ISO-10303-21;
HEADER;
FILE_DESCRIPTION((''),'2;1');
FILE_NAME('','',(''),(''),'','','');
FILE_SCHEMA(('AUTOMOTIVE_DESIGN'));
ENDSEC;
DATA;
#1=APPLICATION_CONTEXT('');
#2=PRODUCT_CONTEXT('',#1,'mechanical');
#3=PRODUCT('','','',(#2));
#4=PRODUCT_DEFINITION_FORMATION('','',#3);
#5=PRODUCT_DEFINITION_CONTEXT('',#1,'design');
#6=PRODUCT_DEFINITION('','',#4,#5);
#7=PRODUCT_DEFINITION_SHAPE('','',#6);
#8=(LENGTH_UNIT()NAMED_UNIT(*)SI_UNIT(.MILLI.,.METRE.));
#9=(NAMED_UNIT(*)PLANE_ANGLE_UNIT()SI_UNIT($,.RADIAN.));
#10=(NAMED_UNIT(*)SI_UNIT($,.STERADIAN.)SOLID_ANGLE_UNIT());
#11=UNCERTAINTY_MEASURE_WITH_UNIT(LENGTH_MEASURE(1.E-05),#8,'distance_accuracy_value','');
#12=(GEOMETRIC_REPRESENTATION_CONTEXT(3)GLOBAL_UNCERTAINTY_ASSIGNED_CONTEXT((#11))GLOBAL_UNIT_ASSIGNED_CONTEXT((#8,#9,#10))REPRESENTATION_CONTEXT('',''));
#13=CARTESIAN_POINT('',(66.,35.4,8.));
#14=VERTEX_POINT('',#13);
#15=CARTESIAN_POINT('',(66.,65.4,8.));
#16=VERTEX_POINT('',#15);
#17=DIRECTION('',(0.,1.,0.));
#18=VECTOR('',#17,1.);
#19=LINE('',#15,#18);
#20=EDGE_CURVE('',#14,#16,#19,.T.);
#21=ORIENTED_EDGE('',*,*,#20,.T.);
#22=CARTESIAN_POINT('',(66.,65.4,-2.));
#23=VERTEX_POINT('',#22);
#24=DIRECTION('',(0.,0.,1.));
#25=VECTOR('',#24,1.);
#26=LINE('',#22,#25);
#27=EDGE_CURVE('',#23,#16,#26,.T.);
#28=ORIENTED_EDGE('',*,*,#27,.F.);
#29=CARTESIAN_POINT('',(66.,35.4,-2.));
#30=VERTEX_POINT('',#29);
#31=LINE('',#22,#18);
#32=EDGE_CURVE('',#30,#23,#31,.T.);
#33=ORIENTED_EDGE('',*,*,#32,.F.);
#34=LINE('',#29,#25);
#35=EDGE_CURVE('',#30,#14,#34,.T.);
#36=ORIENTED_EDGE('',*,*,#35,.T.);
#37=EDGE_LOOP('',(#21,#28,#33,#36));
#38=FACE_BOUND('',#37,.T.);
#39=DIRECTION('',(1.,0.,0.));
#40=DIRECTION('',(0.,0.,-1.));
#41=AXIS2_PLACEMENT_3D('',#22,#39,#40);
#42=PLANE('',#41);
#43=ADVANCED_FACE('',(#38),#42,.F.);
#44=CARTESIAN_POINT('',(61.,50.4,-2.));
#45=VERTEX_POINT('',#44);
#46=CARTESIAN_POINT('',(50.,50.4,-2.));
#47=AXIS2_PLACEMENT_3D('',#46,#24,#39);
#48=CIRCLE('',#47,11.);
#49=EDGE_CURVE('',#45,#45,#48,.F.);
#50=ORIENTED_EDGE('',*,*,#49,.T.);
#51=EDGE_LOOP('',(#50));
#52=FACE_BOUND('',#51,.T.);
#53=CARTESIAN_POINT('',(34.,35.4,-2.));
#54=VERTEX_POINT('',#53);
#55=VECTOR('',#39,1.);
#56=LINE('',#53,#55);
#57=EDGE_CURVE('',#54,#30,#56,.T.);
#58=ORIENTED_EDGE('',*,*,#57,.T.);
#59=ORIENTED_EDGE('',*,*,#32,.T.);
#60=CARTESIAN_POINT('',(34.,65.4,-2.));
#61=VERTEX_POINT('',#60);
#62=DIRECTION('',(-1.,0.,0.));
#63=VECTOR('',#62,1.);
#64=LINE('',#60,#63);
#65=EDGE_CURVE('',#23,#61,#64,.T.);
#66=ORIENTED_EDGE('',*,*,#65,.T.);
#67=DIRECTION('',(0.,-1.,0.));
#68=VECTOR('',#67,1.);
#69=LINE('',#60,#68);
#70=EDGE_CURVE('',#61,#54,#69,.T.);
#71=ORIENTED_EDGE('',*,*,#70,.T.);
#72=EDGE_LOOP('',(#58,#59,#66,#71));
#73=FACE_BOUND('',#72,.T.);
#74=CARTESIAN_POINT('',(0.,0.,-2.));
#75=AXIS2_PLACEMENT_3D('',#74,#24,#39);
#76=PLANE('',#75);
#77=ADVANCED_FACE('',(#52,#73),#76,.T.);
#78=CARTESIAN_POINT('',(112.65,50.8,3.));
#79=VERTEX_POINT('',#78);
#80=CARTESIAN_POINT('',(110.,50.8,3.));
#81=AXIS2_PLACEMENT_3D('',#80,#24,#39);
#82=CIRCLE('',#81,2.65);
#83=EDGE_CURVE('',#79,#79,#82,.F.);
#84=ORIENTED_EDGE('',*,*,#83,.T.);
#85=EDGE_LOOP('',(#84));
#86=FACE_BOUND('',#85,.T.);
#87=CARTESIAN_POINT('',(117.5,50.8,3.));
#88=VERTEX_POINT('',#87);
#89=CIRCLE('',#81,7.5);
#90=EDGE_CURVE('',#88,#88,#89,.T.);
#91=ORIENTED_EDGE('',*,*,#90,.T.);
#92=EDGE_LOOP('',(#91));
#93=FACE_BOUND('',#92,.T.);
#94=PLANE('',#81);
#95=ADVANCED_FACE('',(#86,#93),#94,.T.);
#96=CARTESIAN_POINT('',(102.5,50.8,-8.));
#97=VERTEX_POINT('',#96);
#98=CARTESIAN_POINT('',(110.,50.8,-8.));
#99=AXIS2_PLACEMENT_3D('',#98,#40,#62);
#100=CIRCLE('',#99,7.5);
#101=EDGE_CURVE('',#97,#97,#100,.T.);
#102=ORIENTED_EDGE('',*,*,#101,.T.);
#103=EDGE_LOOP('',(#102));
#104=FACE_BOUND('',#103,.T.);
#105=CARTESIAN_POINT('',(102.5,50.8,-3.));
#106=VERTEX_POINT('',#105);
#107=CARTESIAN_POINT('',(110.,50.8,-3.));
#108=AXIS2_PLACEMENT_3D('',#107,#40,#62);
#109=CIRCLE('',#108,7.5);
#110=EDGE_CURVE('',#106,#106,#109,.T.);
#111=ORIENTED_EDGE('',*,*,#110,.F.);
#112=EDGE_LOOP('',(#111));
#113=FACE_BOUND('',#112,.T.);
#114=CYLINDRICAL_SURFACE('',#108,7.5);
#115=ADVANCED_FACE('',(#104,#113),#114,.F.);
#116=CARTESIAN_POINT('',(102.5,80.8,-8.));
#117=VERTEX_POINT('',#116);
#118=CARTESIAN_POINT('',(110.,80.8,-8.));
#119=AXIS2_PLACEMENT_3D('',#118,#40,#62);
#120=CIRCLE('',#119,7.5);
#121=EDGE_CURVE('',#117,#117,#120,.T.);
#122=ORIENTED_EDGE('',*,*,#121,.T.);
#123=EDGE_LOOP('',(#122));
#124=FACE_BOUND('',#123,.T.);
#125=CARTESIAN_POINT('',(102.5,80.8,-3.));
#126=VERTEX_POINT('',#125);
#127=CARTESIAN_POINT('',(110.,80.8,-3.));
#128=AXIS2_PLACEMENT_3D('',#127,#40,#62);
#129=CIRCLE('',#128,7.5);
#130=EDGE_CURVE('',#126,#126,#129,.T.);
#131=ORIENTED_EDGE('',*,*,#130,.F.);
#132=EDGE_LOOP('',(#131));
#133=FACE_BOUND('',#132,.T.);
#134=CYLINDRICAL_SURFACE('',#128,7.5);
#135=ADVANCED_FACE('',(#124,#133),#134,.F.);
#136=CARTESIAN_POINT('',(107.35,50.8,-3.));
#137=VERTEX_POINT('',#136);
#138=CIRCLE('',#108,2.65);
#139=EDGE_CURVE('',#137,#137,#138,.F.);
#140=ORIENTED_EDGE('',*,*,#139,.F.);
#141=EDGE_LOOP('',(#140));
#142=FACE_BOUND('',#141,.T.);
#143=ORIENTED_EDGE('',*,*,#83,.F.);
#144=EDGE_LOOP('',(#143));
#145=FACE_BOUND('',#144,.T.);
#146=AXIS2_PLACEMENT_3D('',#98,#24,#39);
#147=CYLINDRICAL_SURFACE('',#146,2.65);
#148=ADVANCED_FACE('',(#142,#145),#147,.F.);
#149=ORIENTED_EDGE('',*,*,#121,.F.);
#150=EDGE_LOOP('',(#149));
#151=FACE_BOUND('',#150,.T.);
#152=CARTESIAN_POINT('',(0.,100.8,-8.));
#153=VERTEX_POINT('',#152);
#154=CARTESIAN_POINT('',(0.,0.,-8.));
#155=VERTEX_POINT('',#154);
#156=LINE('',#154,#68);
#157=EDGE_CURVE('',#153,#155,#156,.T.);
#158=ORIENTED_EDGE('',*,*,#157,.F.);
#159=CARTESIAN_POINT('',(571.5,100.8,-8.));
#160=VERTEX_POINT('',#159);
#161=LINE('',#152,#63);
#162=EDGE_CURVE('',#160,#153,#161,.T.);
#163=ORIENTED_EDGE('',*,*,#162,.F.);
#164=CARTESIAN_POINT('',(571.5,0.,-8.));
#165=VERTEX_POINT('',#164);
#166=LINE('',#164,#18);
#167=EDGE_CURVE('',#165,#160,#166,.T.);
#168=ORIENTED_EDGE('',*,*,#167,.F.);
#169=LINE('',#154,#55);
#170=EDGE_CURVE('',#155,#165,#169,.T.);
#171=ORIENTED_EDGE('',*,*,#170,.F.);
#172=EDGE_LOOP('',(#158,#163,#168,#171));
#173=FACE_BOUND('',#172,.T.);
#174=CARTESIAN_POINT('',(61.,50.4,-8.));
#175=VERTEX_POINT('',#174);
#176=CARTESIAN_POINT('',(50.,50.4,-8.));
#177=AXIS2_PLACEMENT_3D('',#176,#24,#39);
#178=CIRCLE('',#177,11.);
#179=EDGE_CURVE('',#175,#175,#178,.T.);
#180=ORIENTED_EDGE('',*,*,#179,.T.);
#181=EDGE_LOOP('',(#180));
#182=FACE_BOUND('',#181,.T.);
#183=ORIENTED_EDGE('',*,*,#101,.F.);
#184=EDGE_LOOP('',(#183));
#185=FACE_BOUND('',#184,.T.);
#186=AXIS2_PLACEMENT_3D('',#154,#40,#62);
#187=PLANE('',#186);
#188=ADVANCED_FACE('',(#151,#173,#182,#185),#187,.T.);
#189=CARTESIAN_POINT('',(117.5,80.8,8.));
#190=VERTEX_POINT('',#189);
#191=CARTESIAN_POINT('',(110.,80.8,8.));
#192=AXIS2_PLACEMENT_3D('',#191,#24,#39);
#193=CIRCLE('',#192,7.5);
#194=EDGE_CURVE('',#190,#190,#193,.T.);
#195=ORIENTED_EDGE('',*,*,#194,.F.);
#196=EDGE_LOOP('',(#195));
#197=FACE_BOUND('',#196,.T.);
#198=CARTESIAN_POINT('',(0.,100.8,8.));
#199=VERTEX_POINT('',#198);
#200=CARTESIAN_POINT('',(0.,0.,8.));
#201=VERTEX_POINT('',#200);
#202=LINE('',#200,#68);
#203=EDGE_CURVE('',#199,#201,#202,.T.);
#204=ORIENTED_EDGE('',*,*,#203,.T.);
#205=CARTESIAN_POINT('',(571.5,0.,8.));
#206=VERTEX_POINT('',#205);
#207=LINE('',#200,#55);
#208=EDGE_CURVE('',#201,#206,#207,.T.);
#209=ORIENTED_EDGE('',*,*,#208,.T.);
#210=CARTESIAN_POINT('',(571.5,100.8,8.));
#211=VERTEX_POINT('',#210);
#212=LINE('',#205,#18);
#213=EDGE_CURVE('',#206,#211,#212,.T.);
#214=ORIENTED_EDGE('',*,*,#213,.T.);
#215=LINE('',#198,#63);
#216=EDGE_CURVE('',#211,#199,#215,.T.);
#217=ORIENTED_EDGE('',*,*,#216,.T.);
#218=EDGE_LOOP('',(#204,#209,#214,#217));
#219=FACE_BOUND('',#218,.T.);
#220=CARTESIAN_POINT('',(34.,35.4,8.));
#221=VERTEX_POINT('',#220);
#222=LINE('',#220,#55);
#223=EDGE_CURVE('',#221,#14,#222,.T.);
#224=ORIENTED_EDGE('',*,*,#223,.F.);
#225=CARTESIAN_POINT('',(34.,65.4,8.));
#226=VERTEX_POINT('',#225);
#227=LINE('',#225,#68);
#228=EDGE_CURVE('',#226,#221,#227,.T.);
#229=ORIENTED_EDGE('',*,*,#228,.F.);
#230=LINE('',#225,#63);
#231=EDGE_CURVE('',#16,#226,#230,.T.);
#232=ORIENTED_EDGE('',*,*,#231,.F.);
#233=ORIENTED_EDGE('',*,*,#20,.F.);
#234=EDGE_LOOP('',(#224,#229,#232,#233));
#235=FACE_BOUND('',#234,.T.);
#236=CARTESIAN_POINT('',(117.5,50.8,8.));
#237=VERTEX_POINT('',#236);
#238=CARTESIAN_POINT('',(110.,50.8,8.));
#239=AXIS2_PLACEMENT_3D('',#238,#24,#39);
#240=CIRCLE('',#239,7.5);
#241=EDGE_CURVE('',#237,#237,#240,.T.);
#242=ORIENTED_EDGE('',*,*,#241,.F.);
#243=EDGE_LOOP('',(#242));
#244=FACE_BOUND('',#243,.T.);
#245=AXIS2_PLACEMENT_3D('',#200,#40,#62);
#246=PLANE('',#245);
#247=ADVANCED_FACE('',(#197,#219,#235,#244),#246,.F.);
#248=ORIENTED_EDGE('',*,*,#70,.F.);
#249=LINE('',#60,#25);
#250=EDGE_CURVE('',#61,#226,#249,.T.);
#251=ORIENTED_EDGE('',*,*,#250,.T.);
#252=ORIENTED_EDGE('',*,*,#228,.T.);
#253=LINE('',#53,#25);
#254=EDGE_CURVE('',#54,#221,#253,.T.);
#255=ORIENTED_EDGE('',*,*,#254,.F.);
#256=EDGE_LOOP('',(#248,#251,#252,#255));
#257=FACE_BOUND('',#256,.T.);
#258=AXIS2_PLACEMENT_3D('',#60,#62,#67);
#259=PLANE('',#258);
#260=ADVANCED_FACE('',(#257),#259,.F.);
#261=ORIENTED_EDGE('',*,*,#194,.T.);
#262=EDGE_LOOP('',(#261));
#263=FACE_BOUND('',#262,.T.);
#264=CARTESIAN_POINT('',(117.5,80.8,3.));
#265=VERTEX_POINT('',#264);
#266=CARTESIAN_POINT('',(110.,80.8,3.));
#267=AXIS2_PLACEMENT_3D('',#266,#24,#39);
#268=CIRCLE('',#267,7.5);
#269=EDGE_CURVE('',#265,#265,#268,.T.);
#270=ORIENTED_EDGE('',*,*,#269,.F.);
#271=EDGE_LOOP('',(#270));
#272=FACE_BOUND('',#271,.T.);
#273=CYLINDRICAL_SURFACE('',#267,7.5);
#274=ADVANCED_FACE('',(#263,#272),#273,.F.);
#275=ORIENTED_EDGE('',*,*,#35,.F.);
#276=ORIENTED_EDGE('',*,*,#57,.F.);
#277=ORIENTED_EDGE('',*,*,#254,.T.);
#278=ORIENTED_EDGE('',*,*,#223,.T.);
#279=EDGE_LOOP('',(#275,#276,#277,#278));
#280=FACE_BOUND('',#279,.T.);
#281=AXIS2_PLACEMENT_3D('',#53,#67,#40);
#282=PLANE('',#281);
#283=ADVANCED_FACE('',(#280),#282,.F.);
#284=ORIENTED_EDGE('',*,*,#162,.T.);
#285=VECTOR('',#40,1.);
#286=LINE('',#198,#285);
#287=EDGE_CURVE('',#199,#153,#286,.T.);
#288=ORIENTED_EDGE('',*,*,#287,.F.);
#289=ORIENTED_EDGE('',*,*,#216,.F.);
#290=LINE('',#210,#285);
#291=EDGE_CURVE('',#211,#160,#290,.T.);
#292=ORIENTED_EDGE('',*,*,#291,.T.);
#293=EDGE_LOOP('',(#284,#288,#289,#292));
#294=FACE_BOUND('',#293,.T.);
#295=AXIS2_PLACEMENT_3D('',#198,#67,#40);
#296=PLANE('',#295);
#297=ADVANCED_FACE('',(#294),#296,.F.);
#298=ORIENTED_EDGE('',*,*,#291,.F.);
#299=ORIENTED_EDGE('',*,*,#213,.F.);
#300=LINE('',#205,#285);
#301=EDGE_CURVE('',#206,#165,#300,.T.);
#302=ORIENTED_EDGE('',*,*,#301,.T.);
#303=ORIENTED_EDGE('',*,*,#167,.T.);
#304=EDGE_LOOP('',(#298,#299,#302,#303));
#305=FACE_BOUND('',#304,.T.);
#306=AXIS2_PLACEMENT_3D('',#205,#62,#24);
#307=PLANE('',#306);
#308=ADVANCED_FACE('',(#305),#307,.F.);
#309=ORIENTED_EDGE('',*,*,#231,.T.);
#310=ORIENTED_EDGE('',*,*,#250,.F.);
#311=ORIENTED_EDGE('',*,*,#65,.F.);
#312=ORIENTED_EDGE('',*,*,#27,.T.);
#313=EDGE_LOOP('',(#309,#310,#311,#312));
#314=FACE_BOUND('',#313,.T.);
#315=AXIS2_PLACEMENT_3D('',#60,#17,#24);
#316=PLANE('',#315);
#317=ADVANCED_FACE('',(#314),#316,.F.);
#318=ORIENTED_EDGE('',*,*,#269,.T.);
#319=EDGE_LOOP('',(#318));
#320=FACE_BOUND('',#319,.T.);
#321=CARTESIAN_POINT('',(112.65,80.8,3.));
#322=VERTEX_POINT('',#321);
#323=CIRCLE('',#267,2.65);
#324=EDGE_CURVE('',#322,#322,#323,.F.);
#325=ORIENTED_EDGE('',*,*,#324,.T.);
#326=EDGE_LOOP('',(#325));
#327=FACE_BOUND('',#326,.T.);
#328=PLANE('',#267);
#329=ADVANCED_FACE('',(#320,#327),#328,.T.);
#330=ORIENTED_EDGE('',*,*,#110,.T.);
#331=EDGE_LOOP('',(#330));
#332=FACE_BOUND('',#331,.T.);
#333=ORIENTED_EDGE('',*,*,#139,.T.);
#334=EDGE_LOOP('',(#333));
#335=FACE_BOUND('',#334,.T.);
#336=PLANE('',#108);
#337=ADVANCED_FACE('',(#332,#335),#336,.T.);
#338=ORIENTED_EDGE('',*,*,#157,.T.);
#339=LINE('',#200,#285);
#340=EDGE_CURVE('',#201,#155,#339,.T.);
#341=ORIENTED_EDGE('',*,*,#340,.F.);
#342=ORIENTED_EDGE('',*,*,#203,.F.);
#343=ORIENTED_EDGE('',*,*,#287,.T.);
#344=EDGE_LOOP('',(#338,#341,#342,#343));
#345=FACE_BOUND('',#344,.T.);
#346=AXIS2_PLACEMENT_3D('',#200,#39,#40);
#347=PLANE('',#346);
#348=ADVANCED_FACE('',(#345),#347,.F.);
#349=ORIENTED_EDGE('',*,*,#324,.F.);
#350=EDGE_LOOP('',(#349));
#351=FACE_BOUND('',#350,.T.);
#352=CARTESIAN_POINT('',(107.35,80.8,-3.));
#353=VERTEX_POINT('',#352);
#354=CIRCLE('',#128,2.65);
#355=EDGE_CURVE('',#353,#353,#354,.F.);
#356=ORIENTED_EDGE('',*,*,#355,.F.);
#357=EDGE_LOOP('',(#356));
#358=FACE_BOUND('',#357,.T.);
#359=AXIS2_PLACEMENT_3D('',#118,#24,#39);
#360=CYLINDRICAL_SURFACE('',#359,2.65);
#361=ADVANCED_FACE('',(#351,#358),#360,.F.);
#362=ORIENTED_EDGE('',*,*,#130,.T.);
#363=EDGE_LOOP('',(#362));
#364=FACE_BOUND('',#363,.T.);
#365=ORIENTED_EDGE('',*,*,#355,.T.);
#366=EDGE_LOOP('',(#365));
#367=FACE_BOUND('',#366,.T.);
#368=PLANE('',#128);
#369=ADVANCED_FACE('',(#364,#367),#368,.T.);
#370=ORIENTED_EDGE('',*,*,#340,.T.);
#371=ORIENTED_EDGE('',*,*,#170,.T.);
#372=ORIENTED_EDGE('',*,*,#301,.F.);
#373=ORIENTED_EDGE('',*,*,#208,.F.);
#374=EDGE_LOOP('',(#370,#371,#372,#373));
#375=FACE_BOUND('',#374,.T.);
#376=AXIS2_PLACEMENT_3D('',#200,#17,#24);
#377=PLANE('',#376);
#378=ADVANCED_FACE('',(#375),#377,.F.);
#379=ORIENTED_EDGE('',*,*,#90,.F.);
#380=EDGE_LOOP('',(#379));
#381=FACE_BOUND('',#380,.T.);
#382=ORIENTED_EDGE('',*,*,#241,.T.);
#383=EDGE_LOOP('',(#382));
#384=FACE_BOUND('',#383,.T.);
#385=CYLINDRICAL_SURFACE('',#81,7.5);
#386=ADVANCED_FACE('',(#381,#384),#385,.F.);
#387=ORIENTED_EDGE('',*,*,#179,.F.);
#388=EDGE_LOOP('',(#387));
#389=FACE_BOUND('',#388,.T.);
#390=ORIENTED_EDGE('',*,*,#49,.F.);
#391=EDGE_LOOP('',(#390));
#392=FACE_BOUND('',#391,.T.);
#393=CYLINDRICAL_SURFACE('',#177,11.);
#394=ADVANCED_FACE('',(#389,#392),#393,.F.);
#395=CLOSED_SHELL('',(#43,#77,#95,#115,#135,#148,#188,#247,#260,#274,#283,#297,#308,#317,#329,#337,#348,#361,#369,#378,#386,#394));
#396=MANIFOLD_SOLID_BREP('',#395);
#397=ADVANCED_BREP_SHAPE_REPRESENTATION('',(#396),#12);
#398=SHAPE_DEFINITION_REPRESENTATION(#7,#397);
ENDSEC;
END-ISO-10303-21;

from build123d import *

# Parameters (mm, degrees)
SKETCH1_W               = 571.5
SKETCH1_H               = 100.8
BOSS_EXTRUDE1_DEPTH     = 8
CUT_EXTRUDE1_DEPTH      = 581.541893406
CUT_EXTRUDE1_DEPTH_BACK = 581.541893406
SKETCH9_R               = 11
SKETCH9_R_2             = 2.65
SKETCH10_W              = 32
SKETCH10_H              = 30
CUT_EXTRUDE2_DEPTH      = 10
SKETCH11_R              = 7.5
CUT_EXTRUDE3_DEPTH      = 5
CUT_EXTRUDE4_START      = -11
SKETCH11_2_R            = 7.5
CUT_EXTRUDE4_DEPTH      = 5


with BuildPart() as part:
    # Sketch1 → Boss-Extrude1 (new, symmetric)
    with BuildSketch(Plane.XY):
        with Locations((285.75, 50.4)):
            Rectangle(SKETCH1_W, SKETCH1_H)
    extrude(amount=BOSS_EXTRUDE1_DEPTH, both=True)

    # Sketch9 → Cut-Extrude1 (cut, two sides: drawn at the far end of the back side and taken through both)
    with BuildSketch(Plane.XY.offset(8).offset(-CUT_EXTRUDE1_DEPTH_BACK)):
        with Locations((50, 50.4)):
            Circle(SKETCH9_R)
        with Locations((110, 80.8)):
            Circle(SKETCH9_R_2)
        with Locations((110, 50.8)):
            Circle(SKETCH9_R_2)
    extrude(amount=CUT_EXTRUDE1_DEPTH + CUT_EXTRUDE1_DEPTH_BACK, mode=Mode.SUBTRACT)

    # Sketch10 → Cut-Extrude2 (cut)
    with BuildSketch(Plane.XY.offset(8)):
        with Locations((50, 50.4)):
            Rectangle(SKETCH10_W, SKETCH10_H)
    extrude(amount=-CUT_EXTRUDE2_DEPTH, mode=Mode.SUBTRACT)

    # Sketch11 → Cut-Extrude3 (cut)
    with BuildSketch(Plane.XY.offset(8)):
        with Locations((110, 80.8)):
            Circle(SKETCH11_R)
        with Locations((110, 50.8)):
            Circle(SKETCH11_R)
    extrude(amount=-CUT_EXTRUDE3_DEPTH, mode=Mode.SUBTRACT)

    # Sketch11<2> → Cut-Extrude4 (cut)
    with BuildSketch(Plane.XY.offset(8).offset(CUT_EXTRUDE4_START)):
        with Locations((110, 80.8)):
            Circle(SKETCH11_2_R)
        with Locations((110, 50.8)):
            Circle(SKETCH11_2_R)
    extrude(amount=-CUT_EXTRUDE4_DEPTH, mode=Mode.SUBTRACT)


solid = part.part
